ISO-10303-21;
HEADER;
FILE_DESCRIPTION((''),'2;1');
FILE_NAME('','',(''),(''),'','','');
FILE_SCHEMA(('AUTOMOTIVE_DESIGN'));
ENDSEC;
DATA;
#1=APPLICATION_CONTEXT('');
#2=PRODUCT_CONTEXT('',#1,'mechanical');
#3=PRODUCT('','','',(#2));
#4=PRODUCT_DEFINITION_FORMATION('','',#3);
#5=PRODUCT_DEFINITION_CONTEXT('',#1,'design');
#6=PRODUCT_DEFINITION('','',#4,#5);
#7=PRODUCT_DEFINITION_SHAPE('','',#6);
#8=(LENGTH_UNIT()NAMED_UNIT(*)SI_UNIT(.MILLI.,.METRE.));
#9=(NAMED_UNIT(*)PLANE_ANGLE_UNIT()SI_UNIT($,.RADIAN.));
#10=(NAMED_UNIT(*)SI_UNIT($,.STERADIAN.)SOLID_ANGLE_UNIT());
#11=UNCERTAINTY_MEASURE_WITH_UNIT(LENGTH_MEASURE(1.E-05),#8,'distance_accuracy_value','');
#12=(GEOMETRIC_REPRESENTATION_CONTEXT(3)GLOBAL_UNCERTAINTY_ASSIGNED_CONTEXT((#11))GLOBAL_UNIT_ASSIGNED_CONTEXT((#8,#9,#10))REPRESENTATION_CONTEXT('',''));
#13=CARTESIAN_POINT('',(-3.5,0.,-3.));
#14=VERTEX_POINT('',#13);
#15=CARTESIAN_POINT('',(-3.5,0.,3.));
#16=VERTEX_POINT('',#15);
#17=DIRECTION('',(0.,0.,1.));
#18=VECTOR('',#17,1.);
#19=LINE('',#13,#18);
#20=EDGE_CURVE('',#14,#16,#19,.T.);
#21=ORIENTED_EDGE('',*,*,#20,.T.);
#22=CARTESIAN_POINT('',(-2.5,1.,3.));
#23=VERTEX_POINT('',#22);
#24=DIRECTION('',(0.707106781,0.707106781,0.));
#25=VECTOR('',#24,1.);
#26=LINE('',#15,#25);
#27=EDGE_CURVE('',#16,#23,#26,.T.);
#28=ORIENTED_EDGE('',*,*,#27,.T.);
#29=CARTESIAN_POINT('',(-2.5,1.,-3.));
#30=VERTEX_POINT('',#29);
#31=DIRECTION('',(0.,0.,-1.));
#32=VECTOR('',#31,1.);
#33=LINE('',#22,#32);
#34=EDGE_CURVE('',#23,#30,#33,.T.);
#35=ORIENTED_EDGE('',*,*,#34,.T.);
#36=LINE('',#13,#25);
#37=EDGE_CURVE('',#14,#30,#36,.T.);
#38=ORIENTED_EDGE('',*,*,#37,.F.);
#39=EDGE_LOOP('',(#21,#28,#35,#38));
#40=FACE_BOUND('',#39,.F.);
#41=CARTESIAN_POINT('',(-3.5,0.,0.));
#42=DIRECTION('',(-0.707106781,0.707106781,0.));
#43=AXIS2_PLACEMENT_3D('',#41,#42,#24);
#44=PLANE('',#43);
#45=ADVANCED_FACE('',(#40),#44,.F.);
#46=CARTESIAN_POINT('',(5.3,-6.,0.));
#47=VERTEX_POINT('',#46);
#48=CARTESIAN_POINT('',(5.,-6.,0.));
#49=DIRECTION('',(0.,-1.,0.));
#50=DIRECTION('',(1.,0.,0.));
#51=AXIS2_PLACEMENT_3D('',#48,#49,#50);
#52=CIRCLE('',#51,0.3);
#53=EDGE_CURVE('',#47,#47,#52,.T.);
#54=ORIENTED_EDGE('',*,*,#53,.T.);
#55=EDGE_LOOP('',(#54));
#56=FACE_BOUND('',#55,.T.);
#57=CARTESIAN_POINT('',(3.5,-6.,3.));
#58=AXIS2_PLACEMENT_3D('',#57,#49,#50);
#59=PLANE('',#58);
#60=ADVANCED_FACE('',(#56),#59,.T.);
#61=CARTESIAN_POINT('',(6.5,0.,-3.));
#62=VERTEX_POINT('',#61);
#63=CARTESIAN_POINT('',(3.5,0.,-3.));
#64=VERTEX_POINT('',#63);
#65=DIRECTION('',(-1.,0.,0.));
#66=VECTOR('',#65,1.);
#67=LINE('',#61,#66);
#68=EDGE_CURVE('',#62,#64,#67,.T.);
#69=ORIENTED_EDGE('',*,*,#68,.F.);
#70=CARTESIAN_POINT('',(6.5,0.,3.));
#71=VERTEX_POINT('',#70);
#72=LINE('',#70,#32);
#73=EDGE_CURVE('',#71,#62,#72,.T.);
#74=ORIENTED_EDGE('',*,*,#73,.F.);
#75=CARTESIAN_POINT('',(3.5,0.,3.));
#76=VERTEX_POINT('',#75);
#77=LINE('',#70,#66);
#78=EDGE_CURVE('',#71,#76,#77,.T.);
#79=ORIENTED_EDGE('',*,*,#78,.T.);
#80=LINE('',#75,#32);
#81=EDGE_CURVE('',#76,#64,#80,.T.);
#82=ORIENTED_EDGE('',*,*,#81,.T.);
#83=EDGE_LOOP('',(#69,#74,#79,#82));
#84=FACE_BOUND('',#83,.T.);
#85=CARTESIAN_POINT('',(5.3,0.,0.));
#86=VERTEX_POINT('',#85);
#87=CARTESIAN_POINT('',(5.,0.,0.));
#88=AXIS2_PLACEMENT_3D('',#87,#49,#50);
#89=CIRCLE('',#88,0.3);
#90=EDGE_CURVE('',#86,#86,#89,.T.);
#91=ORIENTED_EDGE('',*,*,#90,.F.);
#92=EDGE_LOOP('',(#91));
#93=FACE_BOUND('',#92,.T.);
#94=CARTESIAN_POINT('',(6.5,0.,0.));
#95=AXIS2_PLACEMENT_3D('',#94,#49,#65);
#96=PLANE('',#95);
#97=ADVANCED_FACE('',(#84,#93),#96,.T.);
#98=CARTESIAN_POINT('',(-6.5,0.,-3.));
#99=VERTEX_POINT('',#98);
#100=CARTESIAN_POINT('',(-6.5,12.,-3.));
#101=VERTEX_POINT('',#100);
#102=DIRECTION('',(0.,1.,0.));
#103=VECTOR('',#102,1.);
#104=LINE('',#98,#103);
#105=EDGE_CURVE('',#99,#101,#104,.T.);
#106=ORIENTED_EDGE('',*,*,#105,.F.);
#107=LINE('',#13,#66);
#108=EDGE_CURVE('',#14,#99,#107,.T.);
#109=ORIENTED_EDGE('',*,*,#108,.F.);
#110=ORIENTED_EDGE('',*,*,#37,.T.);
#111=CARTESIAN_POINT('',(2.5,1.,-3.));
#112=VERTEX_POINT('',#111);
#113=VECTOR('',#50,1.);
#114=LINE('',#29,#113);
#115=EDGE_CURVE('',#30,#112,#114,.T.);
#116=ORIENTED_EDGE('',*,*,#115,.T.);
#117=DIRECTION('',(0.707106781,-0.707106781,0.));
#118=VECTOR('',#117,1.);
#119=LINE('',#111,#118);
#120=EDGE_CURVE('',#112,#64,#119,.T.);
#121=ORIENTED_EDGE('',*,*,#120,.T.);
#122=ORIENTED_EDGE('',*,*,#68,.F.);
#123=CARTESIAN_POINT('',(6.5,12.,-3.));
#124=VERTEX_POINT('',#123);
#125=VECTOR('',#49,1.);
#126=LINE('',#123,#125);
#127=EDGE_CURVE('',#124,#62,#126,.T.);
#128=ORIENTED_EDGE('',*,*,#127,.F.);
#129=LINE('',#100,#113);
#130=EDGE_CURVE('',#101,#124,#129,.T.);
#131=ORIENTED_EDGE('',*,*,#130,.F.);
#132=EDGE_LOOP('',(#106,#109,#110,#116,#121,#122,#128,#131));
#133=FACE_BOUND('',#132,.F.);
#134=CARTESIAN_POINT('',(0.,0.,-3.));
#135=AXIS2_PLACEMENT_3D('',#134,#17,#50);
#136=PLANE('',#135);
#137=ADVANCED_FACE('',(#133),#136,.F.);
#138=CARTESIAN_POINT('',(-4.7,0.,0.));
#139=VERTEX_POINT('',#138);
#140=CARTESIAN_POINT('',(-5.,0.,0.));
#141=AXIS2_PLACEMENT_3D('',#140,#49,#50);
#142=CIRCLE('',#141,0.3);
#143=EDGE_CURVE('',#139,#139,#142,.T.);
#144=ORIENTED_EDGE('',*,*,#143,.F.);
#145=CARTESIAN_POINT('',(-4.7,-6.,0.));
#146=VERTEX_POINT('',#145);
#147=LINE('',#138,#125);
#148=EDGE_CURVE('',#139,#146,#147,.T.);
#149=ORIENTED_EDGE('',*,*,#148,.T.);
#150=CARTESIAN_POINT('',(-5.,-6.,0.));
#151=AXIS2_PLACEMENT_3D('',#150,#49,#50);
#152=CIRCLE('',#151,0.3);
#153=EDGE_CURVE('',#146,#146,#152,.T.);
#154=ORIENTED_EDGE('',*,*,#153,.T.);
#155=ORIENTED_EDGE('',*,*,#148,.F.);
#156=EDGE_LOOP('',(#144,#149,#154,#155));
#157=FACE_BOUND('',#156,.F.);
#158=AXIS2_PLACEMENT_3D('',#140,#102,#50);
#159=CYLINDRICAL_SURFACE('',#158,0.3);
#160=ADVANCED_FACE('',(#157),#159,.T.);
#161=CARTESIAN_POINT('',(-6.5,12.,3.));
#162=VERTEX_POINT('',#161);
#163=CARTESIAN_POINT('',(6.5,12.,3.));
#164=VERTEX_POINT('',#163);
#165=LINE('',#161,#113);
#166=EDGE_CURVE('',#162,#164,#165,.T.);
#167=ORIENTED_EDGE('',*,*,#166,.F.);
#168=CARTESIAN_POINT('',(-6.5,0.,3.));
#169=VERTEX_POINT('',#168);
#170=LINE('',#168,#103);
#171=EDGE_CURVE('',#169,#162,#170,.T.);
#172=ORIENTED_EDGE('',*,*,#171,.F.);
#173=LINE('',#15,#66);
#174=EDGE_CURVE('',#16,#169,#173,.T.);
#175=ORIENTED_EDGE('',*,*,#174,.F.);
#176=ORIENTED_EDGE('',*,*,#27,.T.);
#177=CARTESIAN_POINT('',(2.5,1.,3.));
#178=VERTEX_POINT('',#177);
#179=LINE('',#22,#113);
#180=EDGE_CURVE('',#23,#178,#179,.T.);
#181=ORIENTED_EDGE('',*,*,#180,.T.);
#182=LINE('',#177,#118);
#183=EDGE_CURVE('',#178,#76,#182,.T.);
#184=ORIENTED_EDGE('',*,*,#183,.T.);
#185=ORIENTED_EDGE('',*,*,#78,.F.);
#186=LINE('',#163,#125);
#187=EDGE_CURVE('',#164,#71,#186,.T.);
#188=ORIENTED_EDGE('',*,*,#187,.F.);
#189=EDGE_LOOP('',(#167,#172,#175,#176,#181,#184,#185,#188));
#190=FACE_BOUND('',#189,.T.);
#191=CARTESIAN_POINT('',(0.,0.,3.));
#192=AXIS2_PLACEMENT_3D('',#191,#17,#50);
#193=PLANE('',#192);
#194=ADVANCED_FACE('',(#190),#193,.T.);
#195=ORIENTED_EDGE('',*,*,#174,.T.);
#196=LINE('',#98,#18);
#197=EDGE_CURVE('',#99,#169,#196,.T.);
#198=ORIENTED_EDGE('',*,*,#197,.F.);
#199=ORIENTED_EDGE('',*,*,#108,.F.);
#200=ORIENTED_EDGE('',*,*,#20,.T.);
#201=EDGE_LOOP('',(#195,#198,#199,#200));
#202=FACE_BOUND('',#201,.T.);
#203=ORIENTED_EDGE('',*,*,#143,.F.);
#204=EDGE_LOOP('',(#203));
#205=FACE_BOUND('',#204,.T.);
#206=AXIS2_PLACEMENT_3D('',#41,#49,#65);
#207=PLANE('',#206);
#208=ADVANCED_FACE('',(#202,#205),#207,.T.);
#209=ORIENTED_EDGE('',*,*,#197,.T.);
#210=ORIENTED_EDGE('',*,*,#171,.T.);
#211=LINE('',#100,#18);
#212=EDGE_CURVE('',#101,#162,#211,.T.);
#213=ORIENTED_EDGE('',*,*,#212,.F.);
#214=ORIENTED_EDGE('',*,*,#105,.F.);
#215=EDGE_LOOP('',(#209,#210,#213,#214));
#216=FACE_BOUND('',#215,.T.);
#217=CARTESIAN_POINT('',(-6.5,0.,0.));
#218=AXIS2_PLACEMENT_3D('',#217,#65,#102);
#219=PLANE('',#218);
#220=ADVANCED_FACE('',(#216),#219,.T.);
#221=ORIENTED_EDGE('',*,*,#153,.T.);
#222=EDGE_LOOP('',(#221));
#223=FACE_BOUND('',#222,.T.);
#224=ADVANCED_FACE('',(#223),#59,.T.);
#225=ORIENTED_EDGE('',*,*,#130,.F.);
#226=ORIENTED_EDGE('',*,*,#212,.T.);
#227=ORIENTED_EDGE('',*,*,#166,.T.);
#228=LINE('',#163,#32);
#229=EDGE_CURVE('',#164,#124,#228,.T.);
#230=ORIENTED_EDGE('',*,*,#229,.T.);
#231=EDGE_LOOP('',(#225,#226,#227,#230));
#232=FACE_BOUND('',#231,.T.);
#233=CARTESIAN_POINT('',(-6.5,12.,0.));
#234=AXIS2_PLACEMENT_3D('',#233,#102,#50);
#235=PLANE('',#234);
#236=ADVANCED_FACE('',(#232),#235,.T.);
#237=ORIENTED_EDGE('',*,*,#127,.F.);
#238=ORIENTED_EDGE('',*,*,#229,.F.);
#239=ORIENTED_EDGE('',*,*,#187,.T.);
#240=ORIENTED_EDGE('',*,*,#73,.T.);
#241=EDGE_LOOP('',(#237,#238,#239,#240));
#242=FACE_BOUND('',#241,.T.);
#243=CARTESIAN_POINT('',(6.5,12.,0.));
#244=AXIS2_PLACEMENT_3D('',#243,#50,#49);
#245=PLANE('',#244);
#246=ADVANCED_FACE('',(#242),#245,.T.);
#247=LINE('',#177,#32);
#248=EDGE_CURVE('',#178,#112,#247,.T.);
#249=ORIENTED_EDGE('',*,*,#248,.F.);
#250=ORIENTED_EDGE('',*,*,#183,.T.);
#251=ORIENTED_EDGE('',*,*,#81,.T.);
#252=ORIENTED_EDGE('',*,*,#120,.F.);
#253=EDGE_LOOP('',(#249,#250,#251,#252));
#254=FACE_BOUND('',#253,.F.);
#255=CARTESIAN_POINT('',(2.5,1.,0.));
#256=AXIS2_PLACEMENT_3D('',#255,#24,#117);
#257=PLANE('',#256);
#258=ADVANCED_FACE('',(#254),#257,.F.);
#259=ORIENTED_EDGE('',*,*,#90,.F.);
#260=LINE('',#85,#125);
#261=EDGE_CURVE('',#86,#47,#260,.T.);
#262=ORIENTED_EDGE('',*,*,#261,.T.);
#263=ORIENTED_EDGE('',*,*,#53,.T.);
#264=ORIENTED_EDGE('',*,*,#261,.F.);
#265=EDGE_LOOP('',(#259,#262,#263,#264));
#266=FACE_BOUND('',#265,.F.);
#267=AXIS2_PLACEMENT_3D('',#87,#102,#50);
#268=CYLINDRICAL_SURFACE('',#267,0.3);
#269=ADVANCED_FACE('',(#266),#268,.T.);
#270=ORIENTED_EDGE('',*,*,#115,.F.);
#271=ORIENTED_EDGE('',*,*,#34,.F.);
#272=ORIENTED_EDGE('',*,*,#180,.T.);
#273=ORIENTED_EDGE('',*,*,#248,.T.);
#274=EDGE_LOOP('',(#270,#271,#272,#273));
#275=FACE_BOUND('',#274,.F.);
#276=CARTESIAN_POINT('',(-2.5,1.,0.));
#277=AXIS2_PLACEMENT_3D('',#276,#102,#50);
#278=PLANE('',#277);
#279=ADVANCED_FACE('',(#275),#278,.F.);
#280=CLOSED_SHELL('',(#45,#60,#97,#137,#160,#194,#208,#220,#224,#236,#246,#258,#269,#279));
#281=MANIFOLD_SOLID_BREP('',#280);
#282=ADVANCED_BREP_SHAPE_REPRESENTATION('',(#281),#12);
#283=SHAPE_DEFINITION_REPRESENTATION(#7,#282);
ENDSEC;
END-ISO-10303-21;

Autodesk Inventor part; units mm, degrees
ref_plane "YZ Plane" through (0, 0, 0) normal (1, 0, 0) x (0, 1, 0)
ref_plane "XZ Plane" through (0, 0, 0) normal (0, 1, 0) x (-1, 0, 0)
ref_plane "XY Plane" through (0, 0, 0) normal (0, 0, 1) x (1, 0, 0)
sketch "Boceto39" plane through (0, 0, 0) normal (0, 0, 1) x (1, 0, 0)
  line L0 (-6.5, 12) -> (6.5, 12)
  line L1 (6.5, 12) -> (6.5, 0)
  line L2 (-6.5, 0) -> (-6.5, 12)
  line L3 (-5, 0) -> (-5, -4.6401) construction
  line L4 (5, 0) -> (5, -3.6883) construction
  line L5 (-3.5, 0) -> (-2.5, 1)
  line L6 (-2.5, 1) -> (2.5, 1)
  line L7 (2.5, 1) -> (3.5, 0)
  line L8 (6.5, 0) -> (3.5, 0)
  line L9 (-3.5, 0) -> (-6.5, 0)
  point P0 (0, 0)
  point P1 (0, 0)
  point P2 (0, 1)
  point P3 (0, 12)
  point P4 (-5, 0)
  dimension "d373" = 13
  dimension "d374" = 12
  dimension "d375" = 10
  dimension "d376" = 5
  dimension "d379" = 5
  dimension "d380" = 45
  dimension "d381" = 1
extrude "Extrusión13" add sketch "Boceto39" along normal mid plane 6
sketch "Boceto40" plane through (3.5, 0, 3) normal (0, -1, 0) x (1, 0, 0)
  line L0 (3, 0) -> (3, -6) projected
  line L1 (0, 0) -> (3, 0) projected
  line L2 (0, 0) -> (0, -6) projected
  line L3 (3, -6) -> (0, -6) projected
  line L4 (-7, 0) -> (-7, -6) projected
  line L5 (-10, 0) -> (-7, 0) projected
  line L6 (-10, 0) -> (-10, -6) projected
  line L7 (-7, -6) -> (-10, -6) projected
  circle A0 centre (1.5, -3) radius 0.3
  circle A1 centre (-8.5, -3) radius 0.3
  point P0 (-3.5, -3)
  dimension "d384" = 0.6
  dimension "d385" = 10
  dimension "d386" = 5
extrude "Extrusión14" add sketch "Boceto40" along normal blind 6 contours A0 | A1
properties part number "CAP-SUP"
